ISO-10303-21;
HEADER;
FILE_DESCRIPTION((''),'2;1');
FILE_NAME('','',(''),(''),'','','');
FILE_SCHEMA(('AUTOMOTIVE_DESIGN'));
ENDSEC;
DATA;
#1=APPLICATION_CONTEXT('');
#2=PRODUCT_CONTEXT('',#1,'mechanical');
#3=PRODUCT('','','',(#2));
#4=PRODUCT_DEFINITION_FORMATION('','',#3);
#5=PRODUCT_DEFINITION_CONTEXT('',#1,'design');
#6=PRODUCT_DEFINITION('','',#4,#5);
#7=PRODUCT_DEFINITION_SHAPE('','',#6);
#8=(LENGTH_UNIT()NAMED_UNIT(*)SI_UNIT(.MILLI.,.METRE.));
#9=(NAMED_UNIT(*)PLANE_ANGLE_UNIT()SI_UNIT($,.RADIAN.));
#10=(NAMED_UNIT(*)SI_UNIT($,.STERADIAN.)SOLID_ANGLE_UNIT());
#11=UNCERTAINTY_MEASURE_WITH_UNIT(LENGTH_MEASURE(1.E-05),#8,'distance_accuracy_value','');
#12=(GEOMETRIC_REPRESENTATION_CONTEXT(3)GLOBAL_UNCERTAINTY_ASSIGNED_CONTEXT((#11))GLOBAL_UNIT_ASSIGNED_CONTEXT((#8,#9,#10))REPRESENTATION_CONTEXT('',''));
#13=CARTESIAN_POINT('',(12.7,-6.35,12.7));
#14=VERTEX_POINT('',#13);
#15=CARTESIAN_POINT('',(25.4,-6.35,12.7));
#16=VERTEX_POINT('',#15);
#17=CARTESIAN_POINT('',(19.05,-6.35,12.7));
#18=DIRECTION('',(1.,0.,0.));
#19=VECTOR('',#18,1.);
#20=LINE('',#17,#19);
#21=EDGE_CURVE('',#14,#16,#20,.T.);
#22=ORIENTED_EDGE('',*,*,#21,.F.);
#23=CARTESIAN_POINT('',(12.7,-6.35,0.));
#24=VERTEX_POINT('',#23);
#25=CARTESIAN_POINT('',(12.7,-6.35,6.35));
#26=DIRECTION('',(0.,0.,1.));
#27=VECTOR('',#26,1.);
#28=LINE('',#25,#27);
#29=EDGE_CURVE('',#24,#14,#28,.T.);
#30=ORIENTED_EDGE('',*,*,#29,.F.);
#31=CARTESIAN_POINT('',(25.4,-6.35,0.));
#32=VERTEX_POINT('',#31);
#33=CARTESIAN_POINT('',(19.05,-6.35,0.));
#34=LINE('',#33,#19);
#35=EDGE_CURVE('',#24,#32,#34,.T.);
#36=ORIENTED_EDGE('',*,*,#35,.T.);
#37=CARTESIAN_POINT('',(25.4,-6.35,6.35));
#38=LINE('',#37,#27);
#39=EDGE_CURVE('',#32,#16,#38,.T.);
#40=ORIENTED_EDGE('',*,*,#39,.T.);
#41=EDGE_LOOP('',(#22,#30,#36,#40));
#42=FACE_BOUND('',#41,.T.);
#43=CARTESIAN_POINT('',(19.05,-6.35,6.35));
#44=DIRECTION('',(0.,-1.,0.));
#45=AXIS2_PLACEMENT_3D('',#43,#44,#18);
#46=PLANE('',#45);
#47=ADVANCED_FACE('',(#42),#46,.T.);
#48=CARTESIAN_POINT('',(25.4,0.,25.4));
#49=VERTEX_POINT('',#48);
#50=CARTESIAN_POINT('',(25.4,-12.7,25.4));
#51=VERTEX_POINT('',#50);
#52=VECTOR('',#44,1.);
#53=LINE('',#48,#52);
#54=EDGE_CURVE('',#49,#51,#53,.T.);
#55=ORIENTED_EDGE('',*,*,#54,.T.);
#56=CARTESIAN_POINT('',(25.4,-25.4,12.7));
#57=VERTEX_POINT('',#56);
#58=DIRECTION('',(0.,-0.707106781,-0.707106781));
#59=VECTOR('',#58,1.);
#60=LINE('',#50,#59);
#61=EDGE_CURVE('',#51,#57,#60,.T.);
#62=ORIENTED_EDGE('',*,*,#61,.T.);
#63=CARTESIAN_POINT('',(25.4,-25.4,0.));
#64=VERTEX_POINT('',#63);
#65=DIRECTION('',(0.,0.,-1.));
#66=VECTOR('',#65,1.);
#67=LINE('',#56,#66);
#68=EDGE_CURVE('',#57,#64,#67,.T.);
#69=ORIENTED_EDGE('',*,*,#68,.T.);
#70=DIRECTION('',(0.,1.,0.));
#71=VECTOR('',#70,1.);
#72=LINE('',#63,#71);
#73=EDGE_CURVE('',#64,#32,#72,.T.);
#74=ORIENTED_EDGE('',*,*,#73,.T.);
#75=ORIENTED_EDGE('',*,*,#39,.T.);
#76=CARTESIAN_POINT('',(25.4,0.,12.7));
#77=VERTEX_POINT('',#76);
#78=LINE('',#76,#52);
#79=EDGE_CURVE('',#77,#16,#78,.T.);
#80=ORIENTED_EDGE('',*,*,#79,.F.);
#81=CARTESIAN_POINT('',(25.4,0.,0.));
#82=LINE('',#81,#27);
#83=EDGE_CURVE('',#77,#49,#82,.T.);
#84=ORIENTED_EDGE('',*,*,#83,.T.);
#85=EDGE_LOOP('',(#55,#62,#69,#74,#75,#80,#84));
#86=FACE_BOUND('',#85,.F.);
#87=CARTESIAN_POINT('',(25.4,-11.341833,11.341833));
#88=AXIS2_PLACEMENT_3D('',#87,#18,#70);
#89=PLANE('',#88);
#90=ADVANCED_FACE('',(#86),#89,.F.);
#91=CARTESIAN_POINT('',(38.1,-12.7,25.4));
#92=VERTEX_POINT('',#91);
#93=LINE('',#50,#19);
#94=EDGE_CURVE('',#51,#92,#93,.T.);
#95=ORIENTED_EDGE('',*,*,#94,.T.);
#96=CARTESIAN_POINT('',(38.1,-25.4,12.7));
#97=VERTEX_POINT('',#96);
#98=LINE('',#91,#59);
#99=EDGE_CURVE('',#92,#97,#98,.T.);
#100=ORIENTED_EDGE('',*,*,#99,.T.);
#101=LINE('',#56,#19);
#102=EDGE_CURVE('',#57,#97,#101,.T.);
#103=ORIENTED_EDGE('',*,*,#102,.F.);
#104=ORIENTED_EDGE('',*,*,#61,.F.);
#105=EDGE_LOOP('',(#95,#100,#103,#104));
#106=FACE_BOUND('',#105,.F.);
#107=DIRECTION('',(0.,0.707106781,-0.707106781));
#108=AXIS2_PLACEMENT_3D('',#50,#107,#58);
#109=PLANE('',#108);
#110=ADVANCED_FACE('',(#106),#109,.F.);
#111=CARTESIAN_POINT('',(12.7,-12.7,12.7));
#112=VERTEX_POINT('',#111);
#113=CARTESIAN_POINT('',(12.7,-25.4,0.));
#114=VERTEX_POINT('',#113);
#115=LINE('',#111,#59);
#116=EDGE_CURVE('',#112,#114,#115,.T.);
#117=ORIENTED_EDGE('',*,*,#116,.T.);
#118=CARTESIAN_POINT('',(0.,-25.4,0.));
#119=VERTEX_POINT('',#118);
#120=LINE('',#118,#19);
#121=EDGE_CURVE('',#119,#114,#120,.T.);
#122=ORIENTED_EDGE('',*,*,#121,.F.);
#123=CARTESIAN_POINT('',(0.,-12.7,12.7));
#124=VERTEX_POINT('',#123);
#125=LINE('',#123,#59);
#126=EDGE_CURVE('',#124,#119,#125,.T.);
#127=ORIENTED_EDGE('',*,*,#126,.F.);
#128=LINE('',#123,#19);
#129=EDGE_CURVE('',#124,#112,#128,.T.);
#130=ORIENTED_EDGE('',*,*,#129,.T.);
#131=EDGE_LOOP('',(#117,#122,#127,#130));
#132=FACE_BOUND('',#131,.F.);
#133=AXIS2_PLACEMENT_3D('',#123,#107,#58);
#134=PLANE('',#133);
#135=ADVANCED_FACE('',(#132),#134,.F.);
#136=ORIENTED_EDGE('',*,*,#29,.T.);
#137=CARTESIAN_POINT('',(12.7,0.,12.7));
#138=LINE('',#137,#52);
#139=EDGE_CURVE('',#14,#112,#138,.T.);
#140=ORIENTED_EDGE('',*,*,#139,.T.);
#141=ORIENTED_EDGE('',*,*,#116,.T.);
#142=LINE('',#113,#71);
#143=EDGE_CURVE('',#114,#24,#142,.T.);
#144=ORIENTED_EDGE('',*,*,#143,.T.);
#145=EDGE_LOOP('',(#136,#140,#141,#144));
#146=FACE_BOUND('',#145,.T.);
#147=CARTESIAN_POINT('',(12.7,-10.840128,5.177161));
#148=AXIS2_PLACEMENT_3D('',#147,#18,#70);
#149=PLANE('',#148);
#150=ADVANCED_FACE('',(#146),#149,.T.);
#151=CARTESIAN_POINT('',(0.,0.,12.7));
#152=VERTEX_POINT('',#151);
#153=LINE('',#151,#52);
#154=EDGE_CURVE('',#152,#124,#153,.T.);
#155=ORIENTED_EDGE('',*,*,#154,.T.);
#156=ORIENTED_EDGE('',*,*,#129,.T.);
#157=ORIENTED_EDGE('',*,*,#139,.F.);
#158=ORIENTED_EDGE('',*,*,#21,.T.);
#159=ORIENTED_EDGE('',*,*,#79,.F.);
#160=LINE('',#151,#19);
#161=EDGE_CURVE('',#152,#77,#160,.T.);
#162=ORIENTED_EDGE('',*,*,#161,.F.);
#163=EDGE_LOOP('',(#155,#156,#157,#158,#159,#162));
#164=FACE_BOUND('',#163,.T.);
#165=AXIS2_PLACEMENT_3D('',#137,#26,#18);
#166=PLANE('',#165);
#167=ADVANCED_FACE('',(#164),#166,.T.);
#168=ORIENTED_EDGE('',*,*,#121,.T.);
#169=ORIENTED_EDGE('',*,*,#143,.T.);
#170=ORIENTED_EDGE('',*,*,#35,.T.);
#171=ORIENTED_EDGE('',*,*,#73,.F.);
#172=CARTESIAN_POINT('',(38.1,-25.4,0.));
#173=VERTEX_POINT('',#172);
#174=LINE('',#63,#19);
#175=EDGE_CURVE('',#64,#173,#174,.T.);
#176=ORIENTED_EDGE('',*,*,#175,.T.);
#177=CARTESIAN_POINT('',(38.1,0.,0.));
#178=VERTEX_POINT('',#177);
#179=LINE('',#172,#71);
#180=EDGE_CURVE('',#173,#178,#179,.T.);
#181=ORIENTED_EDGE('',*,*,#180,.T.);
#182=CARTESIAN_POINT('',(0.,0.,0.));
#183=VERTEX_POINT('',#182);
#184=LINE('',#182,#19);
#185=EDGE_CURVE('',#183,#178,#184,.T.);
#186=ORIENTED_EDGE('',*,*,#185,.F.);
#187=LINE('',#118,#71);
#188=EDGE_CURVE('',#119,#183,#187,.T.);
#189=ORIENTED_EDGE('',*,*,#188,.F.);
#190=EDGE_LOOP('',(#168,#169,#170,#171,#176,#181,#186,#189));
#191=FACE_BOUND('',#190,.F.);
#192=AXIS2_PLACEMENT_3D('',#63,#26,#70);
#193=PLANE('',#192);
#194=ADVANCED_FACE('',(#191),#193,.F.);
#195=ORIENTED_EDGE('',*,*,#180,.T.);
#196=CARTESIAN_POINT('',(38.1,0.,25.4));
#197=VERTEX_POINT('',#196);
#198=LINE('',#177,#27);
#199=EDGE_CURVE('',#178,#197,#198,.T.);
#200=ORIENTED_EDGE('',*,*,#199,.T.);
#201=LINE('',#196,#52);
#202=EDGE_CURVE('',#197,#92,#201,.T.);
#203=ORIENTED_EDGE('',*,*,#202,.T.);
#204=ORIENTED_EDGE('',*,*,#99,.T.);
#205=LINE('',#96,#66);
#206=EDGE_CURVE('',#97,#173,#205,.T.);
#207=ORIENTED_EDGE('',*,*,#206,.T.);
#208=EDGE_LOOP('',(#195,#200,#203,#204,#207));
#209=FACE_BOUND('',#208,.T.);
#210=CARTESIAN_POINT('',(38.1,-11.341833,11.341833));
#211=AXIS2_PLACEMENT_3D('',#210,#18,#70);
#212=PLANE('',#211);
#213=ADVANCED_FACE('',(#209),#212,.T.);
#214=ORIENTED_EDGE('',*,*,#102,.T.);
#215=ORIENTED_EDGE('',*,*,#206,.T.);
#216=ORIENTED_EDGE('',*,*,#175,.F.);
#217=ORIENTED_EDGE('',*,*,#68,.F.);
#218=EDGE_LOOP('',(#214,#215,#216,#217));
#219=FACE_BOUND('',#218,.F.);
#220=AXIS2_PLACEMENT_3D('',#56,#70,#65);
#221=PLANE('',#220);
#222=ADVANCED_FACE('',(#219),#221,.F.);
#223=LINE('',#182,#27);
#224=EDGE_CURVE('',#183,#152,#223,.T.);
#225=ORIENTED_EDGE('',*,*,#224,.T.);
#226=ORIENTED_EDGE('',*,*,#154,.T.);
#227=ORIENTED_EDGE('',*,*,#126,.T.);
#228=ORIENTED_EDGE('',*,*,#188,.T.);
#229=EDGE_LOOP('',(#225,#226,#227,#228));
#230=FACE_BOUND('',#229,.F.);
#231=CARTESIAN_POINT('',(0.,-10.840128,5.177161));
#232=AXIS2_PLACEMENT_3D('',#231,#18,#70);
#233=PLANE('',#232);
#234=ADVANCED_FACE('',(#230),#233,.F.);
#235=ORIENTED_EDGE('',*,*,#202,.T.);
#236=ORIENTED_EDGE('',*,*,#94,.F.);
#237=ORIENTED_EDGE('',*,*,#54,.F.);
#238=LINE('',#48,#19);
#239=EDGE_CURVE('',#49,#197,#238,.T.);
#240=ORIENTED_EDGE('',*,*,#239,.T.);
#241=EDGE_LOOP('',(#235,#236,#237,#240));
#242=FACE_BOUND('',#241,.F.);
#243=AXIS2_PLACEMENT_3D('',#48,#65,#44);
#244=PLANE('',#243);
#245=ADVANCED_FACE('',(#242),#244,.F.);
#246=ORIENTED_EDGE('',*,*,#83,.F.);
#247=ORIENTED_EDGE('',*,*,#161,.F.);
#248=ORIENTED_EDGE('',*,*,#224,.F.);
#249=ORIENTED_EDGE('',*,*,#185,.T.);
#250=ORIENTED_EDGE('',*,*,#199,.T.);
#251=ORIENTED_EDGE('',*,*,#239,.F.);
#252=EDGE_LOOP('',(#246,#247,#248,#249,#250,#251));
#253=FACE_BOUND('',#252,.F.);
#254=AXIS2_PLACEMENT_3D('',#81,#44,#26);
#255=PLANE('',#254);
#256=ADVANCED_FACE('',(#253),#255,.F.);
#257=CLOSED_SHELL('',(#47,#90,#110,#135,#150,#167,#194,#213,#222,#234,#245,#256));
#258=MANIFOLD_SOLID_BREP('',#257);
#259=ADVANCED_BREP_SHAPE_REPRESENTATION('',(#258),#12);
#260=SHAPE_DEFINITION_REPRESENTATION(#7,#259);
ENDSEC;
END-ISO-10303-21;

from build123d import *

# Parameters (mm, degrees)
F1_DEPTH = 12.7
F2_W     = 12.7
F2_H     = 12.7
F3_DEPTH = 6.35
F5_DEPTH = 12.7


with BuildPart() as f1:
    # F0 (on Right) → F1 (new body)
    with BuildSketch(Plane.YZ):
        Polygon((-25.4, 0), (0, 0), (0, 12.7), (-12.7, 12.7), align=None)
    extrude(amount=F1_DEPTH)

    # F2 (on Front) → F3 (join)
    with BuildSketch(Plane.XZ):
        with Locations((19.05, 6.35)):
            Rectangle(F2_W, F2_H)
    extrude(amount=F3_DEPTH)

    # F4 (on face) → F5 (join)
    with BuildSketch(Plane.YZ.offset(25.4)):
        Polygon((-25.4, 0), (0, 0), (0, 25.4), (-12.7, 25.4), (-25.4, 12.7), align=None)
    extrude(amount=F5_DEPTH)


solid = f1.part
